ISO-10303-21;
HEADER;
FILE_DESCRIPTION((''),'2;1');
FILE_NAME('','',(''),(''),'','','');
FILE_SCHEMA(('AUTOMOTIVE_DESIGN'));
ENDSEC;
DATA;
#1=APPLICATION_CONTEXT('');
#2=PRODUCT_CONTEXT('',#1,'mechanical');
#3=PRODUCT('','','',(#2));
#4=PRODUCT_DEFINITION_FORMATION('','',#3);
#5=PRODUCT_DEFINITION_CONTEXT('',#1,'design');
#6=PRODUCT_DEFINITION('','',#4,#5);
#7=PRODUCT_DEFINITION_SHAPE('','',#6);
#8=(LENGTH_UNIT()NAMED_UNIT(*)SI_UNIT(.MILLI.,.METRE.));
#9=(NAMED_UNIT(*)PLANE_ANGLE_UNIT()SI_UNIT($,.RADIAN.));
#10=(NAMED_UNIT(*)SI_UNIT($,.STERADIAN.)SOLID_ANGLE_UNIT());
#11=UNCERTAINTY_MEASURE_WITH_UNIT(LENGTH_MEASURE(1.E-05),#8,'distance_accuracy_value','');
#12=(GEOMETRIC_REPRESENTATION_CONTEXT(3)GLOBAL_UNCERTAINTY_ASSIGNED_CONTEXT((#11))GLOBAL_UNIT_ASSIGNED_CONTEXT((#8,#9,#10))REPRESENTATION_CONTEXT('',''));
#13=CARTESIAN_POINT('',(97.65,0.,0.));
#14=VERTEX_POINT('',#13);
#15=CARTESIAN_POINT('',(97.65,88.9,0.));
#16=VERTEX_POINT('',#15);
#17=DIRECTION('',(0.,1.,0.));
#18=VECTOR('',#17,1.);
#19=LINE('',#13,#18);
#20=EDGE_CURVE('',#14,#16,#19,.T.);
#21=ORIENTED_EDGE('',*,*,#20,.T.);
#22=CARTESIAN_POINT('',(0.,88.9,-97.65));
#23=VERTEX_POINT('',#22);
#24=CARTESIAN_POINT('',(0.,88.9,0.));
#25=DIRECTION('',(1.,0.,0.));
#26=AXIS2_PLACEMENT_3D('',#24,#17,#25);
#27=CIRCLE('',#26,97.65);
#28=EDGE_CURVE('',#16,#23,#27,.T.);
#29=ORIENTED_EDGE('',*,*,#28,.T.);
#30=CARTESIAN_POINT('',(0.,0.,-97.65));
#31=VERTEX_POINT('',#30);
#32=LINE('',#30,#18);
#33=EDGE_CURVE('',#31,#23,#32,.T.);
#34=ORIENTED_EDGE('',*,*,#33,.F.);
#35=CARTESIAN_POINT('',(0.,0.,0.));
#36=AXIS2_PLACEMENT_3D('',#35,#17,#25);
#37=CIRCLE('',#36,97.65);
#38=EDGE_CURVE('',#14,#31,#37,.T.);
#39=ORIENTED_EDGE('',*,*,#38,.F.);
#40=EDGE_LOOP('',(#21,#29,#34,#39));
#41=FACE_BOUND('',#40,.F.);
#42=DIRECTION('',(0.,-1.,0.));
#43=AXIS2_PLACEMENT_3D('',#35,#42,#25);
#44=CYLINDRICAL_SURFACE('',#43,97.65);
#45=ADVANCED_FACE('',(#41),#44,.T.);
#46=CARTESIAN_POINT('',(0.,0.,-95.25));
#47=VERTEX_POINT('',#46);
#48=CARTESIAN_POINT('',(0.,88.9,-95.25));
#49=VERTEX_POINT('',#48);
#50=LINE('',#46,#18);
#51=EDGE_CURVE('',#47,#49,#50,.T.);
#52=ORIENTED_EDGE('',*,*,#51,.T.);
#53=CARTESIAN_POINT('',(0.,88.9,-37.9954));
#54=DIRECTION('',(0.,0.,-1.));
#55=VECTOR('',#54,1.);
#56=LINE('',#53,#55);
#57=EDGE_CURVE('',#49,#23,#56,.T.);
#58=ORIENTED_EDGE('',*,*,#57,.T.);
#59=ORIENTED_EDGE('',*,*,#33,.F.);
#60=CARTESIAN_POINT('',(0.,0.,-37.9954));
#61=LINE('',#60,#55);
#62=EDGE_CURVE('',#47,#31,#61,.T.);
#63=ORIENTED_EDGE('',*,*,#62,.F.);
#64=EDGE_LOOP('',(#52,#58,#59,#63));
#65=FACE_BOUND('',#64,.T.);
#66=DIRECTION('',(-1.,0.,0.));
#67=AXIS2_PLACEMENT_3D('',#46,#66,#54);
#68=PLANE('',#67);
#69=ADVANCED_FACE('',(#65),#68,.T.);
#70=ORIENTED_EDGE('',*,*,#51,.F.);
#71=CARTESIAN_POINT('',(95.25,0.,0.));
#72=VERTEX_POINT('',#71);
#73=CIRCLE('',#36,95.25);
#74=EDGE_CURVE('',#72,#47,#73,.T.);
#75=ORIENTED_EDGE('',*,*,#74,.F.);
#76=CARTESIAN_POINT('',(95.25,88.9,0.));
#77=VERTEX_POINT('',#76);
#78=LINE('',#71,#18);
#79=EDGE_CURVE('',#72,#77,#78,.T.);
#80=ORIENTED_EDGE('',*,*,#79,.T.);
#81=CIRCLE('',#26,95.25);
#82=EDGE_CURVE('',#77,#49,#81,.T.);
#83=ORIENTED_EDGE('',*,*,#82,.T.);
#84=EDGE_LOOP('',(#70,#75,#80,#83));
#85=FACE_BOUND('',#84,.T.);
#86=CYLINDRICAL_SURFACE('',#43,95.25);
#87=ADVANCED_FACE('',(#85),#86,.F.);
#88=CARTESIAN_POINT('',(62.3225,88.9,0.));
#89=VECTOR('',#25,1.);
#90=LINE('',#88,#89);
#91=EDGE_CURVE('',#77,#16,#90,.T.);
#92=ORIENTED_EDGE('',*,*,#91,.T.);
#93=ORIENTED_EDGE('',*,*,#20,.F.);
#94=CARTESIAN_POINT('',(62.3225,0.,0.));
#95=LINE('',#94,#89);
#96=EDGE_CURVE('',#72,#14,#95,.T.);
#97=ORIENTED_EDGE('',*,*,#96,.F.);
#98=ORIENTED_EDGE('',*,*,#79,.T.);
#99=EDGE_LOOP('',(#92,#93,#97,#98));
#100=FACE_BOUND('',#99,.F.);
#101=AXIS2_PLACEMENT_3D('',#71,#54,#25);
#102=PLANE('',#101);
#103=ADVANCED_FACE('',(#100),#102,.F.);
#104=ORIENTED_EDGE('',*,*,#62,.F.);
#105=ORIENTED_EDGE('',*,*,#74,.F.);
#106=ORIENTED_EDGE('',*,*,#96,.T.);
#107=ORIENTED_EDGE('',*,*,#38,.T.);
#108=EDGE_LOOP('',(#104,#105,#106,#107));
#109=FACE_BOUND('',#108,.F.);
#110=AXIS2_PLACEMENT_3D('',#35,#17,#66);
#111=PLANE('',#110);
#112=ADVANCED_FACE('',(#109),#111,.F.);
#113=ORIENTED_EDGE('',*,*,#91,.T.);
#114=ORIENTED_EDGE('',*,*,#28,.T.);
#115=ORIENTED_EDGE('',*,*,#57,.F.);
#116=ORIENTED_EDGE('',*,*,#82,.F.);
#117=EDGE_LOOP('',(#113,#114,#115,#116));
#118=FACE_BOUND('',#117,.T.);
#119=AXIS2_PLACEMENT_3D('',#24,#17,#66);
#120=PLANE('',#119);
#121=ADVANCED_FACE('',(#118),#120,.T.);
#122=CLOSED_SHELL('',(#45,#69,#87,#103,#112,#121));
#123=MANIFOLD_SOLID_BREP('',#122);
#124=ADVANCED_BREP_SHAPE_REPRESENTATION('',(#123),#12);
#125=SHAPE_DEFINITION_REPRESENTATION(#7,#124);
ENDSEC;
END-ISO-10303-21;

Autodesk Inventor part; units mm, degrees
ref_plane "YZ Plane" through (0, 0, 0) normal (1, 0, 0) x (0, 1, 0)
ref_plane "XZ Plane" through (0, 0, 0) normal (0, 1, 0) x (-1, 0, 0)
ref_plane "XY Plane" through (0, 0, 0) normal (0, 0, 1) x (1, 0, 0)
sketch "Sketch1" plane through (0, 0, 0) normal (0, 1, 0) x (-1, 0, 0)
  arc A0 (-95.25, 0) -> (0, -95.25) centre (0, 0) ccw
  arc A1 (-97.65, 0) -> (0, -97.65) centre (0, 0) ccw
  line L0 (0, -37.9954) -> (0, -112.7989)
  line L1 (-62.3225, 0) -> (-123.319, 0)
  dimension "d0" = 190.5
  dimension "d1" = 2.4
extrude "Extrusion2" add sketch "Sketch1" along normal blind 88.9
properties part number "curved piece"
